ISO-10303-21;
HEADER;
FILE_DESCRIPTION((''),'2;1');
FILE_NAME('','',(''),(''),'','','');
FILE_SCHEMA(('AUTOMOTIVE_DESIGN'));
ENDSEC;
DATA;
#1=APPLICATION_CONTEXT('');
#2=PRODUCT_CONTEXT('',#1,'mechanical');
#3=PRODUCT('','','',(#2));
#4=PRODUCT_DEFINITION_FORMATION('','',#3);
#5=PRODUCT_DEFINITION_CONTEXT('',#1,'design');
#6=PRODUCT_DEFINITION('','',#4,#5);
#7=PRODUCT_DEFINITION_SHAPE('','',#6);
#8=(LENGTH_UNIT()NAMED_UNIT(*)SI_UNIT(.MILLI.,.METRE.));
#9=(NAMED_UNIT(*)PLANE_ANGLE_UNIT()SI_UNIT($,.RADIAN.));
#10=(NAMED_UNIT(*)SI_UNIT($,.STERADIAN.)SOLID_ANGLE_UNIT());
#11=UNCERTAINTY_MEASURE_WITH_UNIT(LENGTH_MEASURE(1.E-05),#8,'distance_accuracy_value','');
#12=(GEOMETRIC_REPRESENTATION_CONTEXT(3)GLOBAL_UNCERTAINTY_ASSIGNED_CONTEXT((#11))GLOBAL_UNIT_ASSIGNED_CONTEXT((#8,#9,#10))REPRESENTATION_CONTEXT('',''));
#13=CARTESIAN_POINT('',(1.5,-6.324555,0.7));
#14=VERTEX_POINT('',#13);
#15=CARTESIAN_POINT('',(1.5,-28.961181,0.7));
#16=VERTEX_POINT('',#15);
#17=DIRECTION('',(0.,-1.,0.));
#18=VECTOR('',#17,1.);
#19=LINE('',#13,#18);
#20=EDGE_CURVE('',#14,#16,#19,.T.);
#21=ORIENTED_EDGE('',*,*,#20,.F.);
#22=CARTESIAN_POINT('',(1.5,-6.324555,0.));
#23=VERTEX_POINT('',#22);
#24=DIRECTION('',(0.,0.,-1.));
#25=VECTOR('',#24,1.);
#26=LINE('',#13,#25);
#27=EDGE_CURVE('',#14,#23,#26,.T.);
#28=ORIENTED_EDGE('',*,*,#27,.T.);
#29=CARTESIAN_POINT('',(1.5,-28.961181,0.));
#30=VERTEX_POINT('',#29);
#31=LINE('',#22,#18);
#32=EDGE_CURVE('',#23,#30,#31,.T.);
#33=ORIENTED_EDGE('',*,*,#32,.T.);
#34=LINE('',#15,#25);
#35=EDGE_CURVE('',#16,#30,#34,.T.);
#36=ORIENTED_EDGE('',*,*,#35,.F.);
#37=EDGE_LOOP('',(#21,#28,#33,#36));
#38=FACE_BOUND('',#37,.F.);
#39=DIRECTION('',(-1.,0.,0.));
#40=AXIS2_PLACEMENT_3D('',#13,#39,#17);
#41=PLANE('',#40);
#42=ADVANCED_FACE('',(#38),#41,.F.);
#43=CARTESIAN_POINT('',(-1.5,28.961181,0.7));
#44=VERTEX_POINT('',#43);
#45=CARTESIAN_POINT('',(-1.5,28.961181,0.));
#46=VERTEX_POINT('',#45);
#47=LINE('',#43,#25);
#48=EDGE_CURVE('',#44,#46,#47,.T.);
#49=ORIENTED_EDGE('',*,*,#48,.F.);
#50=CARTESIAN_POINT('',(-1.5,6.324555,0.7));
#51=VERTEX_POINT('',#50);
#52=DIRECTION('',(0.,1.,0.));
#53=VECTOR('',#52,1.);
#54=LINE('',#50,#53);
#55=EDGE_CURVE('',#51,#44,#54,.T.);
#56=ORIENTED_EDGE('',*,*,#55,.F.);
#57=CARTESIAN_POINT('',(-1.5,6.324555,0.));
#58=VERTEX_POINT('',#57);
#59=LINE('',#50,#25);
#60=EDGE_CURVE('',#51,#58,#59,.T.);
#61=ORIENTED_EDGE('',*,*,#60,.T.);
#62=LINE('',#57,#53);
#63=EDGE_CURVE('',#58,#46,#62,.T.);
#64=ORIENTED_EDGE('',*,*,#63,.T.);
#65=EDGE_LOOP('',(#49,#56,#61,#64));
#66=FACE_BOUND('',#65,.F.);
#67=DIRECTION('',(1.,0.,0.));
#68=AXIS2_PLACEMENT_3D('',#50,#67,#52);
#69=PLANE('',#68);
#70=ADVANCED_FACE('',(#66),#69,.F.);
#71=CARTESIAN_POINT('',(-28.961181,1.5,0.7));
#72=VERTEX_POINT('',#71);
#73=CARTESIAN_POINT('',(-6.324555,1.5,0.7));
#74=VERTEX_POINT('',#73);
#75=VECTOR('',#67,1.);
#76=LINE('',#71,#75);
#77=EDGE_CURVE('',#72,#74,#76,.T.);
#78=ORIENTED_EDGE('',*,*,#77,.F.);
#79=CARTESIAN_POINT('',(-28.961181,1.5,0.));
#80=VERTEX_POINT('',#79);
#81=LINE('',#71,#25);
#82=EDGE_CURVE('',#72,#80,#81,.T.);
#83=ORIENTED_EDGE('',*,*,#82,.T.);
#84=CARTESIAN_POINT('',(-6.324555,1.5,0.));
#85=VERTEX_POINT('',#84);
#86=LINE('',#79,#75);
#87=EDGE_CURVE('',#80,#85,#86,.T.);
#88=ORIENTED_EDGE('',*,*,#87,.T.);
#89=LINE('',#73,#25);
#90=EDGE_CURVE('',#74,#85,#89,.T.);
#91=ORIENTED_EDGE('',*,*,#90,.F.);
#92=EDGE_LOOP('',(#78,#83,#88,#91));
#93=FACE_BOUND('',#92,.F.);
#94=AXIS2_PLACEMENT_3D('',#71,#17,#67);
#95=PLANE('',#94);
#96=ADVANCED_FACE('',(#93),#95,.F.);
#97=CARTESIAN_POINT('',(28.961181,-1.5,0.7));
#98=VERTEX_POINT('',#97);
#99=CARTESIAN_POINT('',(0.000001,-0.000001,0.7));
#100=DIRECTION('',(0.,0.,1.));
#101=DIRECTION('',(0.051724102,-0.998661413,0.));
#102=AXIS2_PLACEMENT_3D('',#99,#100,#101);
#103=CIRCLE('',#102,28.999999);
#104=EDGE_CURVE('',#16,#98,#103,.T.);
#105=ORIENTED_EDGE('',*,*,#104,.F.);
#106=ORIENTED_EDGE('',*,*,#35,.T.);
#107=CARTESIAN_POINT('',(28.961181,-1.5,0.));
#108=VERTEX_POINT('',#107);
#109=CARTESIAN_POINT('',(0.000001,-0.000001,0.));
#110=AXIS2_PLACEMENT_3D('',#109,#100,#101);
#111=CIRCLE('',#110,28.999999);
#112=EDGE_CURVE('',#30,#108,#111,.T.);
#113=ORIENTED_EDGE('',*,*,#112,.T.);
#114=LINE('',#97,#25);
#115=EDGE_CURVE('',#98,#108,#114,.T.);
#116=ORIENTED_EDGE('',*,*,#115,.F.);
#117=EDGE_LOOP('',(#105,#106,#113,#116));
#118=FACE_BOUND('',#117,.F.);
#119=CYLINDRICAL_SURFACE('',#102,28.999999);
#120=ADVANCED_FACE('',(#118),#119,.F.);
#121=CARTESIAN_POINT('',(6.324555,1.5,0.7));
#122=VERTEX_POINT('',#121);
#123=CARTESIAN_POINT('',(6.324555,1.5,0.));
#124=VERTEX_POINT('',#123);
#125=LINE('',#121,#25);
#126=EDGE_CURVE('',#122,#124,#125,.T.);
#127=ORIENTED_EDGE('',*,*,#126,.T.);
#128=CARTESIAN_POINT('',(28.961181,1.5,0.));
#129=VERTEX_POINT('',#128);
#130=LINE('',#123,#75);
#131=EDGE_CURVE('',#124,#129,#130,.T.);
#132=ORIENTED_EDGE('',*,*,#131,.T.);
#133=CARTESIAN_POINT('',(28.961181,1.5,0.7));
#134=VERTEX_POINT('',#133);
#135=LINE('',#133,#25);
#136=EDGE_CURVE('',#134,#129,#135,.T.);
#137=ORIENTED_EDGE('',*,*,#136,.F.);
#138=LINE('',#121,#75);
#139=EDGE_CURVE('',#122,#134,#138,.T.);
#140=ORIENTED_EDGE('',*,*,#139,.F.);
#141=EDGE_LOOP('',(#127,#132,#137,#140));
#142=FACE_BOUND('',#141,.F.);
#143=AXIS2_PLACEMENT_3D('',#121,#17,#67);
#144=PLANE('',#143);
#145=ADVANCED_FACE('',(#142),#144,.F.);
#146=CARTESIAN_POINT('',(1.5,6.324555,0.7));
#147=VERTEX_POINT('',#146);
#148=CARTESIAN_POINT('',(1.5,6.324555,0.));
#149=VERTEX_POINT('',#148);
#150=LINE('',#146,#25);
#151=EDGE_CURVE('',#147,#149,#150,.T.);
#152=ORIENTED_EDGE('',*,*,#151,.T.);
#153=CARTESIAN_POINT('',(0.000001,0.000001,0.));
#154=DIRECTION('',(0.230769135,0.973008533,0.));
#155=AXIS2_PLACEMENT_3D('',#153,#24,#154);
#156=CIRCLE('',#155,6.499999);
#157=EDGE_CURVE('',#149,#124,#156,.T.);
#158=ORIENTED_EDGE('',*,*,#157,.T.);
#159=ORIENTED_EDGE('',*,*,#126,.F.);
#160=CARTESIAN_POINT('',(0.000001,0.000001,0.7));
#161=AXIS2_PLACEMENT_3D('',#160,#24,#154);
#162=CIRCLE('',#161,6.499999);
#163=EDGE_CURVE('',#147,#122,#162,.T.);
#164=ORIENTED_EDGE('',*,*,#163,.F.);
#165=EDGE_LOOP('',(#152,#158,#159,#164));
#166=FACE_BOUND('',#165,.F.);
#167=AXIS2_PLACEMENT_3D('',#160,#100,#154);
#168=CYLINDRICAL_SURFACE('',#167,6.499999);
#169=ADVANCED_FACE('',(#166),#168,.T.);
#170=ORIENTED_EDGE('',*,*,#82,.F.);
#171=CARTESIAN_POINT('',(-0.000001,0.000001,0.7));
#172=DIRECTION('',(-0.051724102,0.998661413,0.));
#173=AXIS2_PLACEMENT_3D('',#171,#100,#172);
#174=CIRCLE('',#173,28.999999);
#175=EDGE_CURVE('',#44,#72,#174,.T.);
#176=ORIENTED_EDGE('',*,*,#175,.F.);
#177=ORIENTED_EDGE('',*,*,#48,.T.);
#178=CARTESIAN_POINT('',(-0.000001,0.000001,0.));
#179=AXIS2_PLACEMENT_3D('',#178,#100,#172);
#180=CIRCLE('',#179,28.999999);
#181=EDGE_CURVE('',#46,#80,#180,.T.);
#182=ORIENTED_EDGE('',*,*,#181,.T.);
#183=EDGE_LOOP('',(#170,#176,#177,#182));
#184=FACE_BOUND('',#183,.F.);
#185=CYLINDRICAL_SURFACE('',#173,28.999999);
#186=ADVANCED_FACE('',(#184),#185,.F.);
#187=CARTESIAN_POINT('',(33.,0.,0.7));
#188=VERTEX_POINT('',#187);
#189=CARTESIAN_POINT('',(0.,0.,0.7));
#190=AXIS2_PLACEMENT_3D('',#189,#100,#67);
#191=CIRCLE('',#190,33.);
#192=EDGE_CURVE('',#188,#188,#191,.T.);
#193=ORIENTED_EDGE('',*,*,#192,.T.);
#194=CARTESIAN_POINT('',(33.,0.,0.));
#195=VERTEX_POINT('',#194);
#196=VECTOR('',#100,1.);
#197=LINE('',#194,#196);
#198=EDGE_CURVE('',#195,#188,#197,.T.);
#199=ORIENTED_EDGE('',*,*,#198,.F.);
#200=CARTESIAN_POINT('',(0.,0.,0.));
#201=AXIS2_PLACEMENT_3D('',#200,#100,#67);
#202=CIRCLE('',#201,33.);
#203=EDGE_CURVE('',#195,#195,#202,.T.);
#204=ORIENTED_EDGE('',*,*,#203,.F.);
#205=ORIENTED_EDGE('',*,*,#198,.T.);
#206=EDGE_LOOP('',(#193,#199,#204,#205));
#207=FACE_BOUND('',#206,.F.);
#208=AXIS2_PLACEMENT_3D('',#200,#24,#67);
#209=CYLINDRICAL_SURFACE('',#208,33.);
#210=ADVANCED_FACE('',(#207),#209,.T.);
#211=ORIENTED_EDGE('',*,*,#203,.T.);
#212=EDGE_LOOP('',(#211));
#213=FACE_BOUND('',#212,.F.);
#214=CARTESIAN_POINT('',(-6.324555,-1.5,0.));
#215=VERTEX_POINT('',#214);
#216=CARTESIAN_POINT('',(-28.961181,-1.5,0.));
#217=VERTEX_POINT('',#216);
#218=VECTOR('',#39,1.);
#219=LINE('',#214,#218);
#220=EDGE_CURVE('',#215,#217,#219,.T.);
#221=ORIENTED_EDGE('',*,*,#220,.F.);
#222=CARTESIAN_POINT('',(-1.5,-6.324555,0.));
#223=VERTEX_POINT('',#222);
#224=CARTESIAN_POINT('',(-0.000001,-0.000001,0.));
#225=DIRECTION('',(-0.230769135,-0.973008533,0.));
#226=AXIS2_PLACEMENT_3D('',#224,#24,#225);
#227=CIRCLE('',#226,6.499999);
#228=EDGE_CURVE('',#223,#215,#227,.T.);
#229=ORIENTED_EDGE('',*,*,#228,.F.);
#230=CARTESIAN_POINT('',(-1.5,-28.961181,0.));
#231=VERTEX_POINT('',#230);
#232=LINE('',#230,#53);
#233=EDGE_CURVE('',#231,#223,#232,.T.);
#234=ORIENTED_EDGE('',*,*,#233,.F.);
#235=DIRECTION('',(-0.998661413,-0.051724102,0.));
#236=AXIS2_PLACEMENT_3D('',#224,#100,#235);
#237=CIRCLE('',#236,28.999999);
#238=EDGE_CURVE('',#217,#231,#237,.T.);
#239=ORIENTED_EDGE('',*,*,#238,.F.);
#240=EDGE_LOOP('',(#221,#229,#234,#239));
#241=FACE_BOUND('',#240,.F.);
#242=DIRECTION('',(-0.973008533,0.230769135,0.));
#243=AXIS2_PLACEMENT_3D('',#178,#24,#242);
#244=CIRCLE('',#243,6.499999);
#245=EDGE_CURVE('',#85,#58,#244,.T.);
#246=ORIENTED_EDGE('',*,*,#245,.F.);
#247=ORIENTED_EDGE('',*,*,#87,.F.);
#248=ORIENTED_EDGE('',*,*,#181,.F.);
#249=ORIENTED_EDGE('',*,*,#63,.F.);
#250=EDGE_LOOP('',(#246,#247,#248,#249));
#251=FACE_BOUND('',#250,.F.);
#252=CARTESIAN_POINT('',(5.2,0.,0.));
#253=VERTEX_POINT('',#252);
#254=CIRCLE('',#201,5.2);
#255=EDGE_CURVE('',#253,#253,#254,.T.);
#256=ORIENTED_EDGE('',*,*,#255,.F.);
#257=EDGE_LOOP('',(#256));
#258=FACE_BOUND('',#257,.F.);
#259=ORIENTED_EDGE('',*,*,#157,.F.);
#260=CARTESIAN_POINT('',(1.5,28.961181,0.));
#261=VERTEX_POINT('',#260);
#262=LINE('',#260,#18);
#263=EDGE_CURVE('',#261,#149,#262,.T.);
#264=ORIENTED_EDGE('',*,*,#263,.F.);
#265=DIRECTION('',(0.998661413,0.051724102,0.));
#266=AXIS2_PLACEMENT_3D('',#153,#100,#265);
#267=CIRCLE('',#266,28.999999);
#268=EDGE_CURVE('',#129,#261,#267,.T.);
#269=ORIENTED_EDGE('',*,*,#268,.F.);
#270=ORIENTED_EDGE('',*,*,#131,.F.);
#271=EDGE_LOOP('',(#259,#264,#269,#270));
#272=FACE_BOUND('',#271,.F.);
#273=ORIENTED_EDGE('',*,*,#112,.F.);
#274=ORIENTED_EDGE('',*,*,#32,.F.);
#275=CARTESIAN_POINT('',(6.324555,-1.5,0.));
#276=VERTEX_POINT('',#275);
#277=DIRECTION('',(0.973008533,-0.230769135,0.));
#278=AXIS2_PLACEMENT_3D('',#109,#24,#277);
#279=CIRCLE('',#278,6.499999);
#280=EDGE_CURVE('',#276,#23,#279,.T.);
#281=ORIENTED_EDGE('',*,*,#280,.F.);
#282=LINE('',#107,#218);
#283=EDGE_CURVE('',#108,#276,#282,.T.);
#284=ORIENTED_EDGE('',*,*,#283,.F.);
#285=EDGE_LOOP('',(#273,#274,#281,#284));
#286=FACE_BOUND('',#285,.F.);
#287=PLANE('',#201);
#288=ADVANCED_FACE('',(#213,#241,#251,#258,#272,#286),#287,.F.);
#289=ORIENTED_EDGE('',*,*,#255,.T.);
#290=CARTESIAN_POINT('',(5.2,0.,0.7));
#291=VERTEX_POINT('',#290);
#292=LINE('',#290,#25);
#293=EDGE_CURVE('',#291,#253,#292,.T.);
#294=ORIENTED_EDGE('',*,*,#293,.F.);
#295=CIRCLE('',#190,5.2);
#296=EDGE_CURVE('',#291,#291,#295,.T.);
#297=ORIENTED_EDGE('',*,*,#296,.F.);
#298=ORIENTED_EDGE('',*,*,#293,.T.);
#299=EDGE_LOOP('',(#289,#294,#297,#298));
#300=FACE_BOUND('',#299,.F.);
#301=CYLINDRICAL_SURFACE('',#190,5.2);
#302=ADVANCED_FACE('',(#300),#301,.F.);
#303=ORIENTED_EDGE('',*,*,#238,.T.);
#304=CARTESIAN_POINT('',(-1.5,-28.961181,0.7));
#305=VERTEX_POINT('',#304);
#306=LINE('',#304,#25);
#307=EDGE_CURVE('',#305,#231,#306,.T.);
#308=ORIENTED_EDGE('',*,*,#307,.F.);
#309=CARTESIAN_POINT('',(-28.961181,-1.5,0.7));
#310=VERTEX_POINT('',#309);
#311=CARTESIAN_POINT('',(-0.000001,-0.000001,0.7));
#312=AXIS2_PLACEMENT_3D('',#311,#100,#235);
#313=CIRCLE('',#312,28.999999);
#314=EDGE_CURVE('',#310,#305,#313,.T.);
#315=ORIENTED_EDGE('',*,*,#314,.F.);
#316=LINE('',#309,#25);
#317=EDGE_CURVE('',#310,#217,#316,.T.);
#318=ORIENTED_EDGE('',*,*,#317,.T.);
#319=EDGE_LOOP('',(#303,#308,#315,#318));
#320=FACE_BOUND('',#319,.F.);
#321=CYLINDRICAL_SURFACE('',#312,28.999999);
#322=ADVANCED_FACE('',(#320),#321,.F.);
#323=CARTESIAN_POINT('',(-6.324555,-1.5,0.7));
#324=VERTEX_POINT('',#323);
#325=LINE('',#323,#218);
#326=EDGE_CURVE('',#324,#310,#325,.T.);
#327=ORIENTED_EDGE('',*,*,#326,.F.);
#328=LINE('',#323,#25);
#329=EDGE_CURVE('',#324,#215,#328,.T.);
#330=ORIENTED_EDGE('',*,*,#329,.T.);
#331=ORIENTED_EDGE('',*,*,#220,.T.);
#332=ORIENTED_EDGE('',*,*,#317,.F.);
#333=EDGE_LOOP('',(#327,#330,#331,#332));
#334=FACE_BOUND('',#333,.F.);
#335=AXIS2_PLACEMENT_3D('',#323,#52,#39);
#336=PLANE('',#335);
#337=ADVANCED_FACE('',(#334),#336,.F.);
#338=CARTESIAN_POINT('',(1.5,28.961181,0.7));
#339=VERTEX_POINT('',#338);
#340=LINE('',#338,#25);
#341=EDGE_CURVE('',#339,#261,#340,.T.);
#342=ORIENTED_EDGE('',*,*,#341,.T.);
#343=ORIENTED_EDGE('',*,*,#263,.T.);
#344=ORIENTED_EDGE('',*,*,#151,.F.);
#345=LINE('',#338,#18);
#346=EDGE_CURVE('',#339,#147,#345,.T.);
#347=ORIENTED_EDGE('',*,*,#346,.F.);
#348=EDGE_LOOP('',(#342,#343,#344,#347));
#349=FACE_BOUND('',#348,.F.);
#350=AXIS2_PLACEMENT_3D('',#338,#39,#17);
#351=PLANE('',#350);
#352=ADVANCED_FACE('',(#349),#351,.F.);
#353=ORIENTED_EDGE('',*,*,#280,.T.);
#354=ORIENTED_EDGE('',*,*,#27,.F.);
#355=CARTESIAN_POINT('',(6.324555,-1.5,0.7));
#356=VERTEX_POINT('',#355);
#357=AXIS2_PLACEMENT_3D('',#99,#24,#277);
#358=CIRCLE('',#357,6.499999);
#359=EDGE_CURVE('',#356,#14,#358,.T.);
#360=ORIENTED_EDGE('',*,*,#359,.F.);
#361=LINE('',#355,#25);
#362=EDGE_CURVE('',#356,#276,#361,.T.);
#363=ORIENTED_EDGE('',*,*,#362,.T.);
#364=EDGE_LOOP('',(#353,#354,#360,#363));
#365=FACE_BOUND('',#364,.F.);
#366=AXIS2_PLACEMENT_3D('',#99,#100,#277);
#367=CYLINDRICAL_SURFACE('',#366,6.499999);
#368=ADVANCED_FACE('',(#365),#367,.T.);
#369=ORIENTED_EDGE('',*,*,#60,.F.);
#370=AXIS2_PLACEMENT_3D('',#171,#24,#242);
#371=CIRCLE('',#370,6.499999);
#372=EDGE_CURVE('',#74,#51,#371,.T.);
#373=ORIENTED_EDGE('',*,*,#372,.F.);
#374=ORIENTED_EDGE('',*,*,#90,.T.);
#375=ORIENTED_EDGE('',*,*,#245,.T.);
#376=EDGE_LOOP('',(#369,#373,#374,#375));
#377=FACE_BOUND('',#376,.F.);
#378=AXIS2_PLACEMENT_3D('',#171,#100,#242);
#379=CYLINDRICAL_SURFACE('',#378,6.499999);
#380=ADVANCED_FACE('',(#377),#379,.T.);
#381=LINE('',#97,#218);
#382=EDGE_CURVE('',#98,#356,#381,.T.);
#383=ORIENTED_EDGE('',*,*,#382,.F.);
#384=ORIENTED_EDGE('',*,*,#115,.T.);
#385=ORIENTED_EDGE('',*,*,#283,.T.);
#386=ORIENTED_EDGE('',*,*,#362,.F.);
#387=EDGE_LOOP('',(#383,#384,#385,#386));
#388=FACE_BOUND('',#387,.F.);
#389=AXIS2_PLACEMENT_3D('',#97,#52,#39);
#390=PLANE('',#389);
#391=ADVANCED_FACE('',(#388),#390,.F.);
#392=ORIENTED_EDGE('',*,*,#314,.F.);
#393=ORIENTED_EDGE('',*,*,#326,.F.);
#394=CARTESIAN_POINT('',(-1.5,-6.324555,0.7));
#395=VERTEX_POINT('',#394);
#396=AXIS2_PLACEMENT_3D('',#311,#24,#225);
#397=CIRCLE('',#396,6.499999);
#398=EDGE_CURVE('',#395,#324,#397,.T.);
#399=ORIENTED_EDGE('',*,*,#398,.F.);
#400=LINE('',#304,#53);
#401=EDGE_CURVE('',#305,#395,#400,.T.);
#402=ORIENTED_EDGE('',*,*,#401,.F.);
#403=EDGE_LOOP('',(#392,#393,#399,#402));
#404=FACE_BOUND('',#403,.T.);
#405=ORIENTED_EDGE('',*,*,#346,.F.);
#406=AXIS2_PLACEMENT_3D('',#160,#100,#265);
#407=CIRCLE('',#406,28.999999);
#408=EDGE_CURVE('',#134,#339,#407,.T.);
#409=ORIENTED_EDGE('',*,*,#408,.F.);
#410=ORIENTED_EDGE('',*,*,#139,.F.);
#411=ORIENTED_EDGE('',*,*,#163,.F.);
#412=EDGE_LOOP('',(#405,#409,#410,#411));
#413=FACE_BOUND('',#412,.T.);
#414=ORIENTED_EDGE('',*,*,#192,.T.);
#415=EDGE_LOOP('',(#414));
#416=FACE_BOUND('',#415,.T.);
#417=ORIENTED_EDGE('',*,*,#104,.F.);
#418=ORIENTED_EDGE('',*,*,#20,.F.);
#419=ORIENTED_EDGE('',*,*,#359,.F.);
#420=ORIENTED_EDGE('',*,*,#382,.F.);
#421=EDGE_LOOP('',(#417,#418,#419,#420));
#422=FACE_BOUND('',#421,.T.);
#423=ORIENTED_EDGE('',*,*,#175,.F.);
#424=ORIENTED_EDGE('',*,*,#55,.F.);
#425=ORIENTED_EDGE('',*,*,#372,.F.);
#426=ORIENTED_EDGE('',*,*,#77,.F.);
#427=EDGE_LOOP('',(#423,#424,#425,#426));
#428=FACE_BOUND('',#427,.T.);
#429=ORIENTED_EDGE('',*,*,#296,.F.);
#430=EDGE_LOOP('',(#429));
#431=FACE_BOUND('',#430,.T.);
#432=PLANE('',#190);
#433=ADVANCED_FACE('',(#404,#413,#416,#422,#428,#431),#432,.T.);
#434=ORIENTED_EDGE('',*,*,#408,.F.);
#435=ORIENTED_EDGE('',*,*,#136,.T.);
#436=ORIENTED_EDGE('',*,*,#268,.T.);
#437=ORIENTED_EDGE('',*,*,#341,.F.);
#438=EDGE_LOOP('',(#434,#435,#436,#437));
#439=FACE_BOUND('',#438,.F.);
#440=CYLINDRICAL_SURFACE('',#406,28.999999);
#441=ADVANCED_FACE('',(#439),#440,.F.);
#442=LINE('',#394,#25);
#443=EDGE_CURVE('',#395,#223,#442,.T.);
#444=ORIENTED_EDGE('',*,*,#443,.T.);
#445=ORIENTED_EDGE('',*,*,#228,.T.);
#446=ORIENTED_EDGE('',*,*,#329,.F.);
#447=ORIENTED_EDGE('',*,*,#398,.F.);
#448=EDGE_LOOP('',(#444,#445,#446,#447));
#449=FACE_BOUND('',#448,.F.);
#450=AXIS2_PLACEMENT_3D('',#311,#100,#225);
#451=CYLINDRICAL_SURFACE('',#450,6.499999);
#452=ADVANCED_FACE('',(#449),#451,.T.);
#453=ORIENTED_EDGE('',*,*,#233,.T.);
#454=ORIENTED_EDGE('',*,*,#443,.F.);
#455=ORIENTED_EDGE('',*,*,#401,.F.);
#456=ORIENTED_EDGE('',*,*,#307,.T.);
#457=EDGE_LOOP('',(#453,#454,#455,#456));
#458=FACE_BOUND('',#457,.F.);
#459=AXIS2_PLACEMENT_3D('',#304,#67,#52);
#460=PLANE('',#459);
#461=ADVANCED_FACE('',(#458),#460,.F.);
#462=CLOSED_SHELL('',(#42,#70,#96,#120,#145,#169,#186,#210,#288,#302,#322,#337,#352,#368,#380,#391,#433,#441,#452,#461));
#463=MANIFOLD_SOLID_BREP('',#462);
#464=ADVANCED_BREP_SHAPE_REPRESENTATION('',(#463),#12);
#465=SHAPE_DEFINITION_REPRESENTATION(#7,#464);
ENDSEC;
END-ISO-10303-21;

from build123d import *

# Parameters (mm, degrees)
F0_R     = 33
F1_DEPTH = 0.7
F2_R     = 5.2
F3_DEPTH = 0.7
F5_DEPTH = 0.7


with BuildPart() as f1:
    # F0 (on Top) → F1 (new body)
    with BuildSketch(Plane.XY):
        Circle(F0_R)
    extrude(amount=F1_DEPTH)

    # F2 (on face) → F3 (cut, through all)
    with BuildSketch(Plane.XY.offset(0.7)):
        Circle(F2_R)
    extrude(amount=-F3_DEPTH, mode=Mode.SUBTRACT)

    # F4 (on face) → F5 (cut, through all)
    with BuildSketch(Plane.XY.offset(0.7)):
        with BuildLine():
            Line((-1.5, 6.324555), (-1.5, 28.961181))
            ThreePointArc((-1.5, 28.961181), (-20.506097, 20.506097), (-28.961181, 1.5))
            Line((-28.961181, 1.5), (-6.324555, 1.5))
            ThreePointArc((-6.324555, 1.5), (-4.596194, 4.596194), (-1.5, 6.324555))
        make_face()
        with BuildLine():
            Line((6.324555, 1.5), (28.961181, 1.5))
            ThreePointArc((28.961181, 1.5), (20.506097, 20.506097), (1.5, 28.961181))
            Line((1.5, 28.961181), (1.5, 6.324555))
            ThreePointArc((1.5, 6.324555), (4.596194, 4.596194), (6.324555, 1.5))
        make_face()
        with BuildLine():
            ThreePointArc((1.5, -28.961181), (20.506097, -20.506097), (28.961181, -1.5))
            Line((28.961181, -1.5), (6.324555, -1.5))
            ThreePointArc((6.324555, -1.5), (4.596194, -4.596194), (1.5, -6.324555))
            Line((1.5, -6.324555), (1.5, -28.961181))
        make_face()
        with BuildLine():
            ThreePointArc((-28.961181, -1.5), (-20.506097, -20.506097), (-1.5, -28.961181))
            Line((-1.5, -28.961181), (-1.5, -6.324555))
            ThreePointArc((-1.5, -6.324555), (-4.596194, -4.596194), (-6.324555, -1.5))
            Line((-6.324555, -1.5), (-28.961181, -1.5))
        make_face()
    extrude(amount=-F5_DEPTH, mode=Mode.SUBTRACT)


solid = f1.part
